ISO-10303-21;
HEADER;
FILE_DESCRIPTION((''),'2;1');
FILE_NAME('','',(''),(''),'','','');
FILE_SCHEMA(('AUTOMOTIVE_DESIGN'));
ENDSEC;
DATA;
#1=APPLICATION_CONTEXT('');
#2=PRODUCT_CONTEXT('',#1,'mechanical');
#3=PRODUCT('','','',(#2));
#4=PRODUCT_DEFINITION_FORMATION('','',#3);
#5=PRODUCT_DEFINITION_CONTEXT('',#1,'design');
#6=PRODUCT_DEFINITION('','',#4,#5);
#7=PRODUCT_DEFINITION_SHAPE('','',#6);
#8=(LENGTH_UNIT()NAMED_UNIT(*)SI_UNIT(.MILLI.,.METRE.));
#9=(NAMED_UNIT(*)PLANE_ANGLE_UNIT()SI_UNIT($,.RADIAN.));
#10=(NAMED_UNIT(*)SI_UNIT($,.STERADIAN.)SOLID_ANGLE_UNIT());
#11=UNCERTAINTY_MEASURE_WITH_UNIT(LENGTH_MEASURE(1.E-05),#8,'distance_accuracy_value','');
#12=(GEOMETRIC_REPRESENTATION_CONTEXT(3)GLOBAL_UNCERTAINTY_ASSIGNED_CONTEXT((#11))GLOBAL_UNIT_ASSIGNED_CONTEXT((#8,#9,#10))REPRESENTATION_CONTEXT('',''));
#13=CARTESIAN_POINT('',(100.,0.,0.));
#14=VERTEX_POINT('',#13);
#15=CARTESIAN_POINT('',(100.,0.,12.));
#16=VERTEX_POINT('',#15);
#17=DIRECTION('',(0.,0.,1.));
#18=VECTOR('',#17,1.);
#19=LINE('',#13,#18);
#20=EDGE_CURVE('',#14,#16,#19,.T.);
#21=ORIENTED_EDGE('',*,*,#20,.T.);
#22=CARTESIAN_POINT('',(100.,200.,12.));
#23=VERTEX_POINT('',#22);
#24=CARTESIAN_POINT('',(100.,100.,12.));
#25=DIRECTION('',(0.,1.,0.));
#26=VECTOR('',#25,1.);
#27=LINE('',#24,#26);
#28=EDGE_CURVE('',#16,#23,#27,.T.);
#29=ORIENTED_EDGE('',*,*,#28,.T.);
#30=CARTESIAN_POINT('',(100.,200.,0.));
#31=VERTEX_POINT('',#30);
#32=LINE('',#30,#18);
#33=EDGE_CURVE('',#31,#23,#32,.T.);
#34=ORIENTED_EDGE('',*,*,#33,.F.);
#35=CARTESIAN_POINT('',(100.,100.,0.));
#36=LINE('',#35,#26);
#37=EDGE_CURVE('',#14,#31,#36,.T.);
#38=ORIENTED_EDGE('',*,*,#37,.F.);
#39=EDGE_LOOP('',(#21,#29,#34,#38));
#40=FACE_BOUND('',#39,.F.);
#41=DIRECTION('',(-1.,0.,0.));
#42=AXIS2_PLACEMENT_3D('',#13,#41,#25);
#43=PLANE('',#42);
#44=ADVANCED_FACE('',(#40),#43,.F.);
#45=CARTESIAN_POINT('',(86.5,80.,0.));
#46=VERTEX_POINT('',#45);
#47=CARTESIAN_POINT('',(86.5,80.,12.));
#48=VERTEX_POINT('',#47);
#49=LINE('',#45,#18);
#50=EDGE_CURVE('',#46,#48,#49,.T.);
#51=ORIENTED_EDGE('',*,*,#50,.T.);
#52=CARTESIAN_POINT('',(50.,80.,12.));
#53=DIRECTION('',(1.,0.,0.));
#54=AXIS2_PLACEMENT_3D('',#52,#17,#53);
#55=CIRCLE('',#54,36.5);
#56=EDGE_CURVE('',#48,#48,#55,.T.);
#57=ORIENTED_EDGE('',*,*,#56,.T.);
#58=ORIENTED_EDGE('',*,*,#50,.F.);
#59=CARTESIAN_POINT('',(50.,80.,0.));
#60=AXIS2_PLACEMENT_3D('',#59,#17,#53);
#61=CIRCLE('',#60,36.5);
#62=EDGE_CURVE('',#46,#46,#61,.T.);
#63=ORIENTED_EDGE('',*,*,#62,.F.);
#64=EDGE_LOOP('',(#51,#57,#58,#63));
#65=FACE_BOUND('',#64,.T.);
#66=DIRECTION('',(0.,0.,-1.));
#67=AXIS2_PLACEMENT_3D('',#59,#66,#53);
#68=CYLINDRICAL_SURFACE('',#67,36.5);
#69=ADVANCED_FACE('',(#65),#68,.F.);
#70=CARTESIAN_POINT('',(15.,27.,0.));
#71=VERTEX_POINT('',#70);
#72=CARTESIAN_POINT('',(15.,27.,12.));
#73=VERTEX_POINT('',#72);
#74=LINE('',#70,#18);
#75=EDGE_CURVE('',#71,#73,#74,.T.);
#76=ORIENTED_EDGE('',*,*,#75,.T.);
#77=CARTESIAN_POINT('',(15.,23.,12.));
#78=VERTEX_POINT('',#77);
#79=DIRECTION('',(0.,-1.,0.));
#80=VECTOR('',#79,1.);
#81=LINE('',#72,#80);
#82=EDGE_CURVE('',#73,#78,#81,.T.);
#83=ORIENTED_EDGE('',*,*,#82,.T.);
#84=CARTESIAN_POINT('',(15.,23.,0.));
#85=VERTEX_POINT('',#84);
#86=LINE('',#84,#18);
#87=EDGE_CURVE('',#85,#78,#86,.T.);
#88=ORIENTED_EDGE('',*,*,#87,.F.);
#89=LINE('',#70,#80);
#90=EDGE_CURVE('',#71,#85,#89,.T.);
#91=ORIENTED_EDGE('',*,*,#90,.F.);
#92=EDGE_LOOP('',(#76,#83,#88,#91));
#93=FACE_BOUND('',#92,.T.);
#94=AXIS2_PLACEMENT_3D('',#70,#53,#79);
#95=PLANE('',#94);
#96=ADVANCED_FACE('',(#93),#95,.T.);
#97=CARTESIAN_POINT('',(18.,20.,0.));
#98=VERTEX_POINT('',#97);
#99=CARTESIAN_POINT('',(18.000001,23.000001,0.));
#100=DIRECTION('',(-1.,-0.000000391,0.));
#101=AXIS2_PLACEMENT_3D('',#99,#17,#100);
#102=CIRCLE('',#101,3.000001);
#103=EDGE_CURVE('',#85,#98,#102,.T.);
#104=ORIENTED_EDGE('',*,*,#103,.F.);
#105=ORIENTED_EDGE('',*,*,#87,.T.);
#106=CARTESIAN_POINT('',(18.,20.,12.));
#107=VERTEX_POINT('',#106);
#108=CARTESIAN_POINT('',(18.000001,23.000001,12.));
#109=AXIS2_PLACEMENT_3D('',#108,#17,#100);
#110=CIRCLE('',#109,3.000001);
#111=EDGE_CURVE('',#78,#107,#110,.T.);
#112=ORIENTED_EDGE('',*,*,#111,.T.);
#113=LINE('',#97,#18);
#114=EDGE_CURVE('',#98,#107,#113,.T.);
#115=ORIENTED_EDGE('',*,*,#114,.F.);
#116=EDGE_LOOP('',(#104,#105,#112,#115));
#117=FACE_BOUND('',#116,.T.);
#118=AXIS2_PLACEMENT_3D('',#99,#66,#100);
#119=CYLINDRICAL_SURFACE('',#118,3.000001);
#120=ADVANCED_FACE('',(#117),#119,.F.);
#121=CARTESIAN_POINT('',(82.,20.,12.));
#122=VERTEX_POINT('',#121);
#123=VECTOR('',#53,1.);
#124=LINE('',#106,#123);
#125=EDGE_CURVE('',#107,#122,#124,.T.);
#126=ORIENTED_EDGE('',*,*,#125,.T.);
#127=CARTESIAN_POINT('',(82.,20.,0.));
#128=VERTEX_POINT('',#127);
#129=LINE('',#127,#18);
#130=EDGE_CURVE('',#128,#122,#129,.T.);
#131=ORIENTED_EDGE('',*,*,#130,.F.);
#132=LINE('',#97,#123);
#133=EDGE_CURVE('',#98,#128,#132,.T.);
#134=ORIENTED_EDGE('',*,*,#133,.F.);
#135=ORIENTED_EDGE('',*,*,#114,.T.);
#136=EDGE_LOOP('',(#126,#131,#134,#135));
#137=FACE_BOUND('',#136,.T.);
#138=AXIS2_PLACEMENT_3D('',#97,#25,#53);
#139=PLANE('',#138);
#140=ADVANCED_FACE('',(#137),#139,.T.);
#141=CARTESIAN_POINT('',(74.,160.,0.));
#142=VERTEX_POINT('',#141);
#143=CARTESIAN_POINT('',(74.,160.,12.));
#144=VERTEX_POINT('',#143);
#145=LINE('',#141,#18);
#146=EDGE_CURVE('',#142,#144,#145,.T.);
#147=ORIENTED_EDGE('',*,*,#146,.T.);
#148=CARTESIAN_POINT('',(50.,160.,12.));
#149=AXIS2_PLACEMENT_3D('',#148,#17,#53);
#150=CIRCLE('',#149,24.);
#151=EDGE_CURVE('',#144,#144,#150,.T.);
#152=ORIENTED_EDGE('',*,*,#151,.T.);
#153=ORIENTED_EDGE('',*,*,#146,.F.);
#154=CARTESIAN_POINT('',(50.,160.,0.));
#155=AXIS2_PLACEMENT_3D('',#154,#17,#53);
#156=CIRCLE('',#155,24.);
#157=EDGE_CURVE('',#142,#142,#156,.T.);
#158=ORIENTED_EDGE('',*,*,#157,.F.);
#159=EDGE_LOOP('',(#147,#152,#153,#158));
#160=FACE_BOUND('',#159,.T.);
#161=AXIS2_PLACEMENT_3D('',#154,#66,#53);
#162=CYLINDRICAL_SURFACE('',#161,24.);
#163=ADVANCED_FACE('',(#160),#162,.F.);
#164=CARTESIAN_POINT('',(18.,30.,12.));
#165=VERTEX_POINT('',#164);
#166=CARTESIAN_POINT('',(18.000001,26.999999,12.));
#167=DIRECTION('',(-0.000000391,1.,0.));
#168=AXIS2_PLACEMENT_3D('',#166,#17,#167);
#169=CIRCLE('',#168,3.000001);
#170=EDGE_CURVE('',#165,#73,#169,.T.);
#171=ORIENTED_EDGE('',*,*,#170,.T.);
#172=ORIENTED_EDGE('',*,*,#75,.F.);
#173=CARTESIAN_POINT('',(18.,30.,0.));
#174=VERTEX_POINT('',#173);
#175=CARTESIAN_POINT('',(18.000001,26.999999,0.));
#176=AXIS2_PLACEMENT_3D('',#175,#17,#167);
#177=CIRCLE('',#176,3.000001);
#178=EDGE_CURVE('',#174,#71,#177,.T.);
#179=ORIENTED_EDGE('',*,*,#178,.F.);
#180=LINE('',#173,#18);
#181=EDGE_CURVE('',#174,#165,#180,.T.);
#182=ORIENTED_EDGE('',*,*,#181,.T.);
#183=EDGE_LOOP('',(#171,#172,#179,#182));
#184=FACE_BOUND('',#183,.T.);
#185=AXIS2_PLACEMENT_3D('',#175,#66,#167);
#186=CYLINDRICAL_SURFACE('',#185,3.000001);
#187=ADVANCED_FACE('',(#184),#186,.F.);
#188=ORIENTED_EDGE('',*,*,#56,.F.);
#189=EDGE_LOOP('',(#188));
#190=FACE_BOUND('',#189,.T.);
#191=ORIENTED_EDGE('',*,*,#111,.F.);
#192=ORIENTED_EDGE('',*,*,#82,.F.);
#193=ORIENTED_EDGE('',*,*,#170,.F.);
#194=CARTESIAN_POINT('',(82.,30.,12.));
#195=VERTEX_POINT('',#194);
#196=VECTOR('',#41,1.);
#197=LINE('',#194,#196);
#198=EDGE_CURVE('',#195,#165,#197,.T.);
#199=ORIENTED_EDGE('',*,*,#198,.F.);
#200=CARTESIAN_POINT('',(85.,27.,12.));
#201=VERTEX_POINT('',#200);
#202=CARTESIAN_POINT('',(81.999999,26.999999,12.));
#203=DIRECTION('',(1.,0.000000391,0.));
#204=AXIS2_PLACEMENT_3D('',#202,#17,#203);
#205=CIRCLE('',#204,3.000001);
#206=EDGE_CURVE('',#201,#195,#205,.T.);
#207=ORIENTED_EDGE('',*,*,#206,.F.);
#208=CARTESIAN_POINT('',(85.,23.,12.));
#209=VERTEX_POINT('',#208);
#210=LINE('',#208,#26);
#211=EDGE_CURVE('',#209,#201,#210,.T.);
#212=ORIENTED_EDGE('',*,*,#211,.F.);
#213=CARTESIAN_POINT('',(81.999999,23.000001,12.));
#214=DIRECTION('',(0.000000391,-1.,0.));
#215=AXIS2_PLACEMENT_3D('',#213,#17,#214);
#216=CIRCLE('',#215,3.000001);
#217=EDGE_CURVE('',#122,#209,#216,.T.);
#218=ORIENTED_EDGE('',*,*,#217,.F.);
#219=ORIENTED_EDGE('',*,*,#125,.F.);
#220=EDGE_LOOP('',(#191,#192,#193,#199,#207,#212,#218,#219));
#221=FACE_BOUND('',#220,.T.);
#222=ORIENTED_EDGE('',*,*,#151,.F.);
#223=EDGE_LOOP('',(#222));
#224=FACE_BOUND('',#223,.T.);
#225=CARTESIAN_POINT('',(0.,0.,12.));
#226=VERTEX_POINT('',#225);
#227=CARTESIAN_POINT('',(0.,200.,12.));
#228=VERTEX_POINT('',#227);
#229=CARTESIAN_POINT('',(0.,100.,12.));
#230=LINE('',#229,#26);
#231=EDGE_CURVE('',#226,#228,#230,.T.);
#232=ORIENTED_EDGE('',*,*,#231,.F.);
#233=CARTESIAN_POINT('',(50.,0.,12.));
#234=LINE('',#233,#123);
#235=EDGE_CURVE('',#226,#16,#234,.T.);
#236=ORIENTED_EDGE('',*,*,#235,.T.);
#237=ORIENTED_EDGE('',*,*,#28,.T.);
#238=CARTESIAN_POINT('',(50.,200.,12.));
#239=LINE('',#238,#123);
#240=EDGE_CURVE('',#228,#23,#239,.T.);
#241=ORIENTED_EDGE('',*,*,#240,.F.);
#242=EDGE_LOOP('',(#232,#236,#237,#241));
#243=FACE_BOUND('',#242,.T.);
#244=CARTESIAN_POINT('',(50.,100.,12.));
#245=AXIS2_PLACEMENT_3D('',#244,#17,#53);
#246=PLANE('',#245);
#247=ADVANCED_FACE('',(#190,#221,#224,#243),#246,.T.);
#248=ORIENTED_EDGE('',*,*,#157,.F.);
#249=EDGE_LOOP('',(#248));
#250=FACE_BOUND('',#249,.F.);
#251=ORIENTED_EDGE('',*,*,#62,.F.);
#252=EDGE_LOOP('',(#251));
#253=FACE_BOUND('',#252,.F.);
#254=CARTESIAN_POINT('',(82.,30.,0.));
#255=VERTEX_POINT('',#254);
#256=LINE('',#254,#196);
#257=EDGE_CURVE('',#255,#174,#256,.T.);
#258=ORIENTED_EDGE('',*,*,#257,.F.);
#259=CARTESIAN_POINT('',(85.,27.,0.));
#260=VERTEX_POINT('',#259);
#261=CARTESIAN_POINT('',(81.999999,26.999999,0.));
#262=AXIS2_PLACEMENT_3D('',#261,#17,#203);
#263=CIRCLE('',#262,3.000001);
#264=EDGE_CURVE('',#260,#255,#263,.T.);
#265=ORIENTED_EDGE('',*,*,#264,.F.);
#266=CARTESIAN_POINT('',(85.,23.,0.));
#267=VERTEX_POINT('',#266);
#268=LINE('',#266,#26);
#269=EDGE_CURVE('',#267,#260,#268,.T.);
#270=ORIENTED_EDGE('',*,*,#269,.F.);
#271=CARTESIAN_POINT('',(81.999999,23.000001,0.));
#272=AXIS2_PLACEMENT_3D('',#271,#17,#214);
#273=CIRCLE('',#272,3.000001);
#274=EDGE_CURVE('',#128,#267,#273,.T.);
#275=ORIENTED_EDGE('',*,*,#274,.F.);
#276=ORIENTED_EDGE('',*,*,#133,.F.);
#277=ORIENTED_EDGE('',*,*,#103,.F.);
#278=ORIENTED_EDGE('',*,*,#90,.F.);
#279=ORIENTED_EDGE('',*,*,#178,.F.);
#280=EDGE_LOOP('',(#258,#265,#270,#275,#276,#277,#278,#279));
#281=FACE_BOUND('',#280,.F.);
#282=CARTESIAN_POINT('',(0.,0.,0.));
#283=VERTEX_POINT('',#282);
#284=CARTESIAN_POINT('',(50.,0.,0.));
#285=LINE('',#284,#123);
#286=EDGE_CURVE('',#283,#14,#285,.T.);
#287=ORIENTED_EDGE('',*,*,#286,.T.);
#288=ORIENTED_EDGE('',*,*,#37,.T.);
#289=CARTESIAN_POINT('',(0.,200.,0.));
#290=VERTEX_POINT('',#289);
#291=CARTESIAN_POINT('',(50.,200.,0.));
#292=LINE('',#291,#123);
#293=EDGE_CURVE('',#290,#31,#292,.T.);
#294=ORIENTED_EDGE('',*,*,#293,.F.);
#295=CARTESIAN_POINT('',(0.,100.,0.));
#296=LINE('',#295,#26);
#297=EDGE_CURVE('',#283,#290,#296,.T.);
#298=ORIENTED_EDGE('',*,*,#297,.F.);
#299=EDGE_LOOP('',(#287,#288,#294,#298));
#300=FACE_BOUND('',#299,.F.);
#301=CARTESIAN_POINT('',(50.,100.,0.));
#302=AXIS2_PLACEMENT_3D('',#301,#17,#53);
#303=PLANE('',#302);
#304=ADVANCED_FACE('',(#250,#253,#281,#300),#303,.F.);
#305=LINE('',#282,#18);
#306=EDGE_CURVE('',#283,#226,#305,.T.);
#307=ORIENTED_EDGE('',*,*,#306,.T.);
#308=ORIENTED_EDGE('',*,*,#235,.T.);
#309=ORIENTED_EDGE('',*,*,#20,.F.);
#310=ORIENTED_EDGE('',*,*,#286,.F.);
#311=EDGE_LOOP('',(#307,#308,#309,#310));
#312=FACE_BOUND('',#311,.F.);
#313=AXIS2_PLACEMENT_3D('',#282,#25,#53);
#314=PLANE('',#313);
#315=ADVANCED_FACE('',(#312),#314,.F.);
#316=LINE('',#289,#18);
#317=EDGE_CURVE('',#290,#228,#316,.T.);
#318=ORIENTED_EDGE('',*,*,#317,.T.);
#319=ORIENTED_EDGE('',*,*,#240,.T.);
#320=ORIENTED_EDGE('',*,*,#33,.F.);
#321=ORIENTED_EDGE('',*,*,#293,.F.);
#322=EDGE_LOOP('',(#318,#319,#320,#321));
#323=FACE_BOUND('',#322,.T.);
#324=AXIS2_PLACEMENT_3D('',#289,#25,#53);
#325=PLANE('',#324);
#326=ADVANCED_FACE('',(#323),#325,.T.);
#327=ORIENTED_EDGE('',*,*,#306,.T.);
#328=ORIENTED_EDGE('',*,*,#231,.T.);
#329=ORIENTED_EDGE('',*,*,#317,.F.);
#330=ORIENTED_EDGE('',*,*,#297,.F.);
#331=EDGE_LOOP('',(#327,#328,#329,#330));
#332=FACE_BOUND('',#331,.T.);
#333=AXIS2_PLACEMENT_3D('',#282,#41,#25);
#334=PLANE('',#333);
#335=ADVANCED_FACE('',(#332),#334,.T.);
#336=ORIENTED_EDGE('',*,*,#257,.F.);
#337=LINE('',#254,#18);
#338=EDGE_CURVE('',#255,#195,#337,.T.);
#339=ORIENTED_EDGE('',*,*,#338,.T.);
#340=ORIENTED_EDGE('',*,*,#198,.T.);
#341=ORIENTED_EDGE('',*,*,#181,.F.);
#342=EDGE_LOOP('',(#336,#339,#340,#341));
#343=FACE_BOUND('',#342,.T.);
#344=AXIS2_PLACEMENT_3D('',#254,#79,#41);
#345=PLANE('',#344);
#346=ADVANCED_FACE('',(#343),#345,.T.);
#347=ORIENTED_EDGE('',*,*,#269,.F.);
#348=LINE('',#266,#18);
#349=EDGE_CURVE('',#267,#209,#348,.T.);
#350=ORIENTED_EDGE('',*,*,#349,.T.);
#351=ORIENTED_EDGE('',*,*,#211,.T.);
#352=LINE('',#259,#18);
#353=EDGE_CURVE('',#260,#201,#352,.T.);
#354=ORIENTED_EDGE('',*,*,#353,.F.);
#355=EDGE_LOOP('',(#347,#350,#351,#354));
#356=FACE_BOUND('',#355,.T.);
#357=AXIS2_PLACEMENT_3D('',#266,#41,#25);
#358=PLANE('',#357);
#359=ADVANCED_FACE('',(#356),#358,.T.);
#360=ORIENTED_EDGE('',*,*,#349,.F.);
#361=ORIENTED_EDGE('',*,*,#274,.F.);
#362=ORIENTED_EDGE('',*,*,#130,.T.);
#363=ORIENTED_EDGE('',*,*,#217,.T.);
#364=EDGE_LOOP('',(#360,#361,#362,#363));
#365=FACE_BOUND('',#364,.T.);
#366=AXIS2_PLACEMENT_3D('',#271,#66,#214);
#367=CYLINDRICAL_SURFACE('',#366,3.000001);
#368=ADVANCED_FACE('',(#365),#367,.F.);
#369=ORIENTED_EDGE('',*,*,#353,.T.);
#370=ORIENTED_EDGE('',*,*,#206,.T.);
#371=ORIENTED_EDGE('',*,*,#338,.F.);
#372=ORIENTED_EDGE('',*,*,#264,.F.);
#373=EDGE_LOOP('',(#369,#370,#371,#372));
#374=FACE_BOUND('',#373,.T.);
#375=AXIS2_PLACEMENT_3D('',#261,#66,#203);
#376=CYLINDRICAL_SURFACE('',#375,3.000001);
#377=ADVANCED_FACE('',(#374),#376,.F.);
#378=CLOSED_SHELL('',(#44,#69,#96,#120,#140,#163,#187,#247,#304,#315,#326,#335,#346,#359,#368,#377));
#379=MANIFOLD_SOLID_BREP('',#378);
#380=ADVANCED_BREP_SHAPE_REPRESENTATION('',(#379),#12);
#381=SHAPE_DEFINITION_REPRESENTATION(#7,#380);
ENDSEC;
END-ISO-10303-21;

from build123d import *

# Parameters (mm, degrees)
SKETCH_W   = 100
SKETCH_H   = 200
SKETCH_R   = 36.5
SKETCH_R_2 = 24
PAD_DEPTH  = 12


with BuildPart() as part:
    # Sketch → Pad (new body)
    with BuildSketch(Plane.XY):
        with Locations((50, 100)):
            Rectangle(SKETCH_W, SKETCH_H)
        with Locations((50, 80)):
            Circle(SKETCH_R, mode=Mode.SUBTRACT)
        with Locations((50, 160)):
            Circle(SKETCH_R_2, mode=Mode.SUBTRACT)
        with BuildLine():
            Line((18, 20), (82, 20))
            ThreePointArc((82, 20), (84.12132, 20.87868), (85, 23))
            Line((85, 23), (85, 27))
            ThreePointArc((85, 27), (84.12132, 29.12132), (82, 30))
            Line((82, 30), (18, 30))
            ThreePointArc((18, 30), (15.87868, 29.12132), (15, 27))
            Line((15, 27), (15, 23))
            ThreePointArc((15, 23), (15.87868, 20.87868), (18, 20))
        make_face(mode=Mode.SUBTRACT)
    extrude(amount=PAD_DEPTH)


solid = part.part
